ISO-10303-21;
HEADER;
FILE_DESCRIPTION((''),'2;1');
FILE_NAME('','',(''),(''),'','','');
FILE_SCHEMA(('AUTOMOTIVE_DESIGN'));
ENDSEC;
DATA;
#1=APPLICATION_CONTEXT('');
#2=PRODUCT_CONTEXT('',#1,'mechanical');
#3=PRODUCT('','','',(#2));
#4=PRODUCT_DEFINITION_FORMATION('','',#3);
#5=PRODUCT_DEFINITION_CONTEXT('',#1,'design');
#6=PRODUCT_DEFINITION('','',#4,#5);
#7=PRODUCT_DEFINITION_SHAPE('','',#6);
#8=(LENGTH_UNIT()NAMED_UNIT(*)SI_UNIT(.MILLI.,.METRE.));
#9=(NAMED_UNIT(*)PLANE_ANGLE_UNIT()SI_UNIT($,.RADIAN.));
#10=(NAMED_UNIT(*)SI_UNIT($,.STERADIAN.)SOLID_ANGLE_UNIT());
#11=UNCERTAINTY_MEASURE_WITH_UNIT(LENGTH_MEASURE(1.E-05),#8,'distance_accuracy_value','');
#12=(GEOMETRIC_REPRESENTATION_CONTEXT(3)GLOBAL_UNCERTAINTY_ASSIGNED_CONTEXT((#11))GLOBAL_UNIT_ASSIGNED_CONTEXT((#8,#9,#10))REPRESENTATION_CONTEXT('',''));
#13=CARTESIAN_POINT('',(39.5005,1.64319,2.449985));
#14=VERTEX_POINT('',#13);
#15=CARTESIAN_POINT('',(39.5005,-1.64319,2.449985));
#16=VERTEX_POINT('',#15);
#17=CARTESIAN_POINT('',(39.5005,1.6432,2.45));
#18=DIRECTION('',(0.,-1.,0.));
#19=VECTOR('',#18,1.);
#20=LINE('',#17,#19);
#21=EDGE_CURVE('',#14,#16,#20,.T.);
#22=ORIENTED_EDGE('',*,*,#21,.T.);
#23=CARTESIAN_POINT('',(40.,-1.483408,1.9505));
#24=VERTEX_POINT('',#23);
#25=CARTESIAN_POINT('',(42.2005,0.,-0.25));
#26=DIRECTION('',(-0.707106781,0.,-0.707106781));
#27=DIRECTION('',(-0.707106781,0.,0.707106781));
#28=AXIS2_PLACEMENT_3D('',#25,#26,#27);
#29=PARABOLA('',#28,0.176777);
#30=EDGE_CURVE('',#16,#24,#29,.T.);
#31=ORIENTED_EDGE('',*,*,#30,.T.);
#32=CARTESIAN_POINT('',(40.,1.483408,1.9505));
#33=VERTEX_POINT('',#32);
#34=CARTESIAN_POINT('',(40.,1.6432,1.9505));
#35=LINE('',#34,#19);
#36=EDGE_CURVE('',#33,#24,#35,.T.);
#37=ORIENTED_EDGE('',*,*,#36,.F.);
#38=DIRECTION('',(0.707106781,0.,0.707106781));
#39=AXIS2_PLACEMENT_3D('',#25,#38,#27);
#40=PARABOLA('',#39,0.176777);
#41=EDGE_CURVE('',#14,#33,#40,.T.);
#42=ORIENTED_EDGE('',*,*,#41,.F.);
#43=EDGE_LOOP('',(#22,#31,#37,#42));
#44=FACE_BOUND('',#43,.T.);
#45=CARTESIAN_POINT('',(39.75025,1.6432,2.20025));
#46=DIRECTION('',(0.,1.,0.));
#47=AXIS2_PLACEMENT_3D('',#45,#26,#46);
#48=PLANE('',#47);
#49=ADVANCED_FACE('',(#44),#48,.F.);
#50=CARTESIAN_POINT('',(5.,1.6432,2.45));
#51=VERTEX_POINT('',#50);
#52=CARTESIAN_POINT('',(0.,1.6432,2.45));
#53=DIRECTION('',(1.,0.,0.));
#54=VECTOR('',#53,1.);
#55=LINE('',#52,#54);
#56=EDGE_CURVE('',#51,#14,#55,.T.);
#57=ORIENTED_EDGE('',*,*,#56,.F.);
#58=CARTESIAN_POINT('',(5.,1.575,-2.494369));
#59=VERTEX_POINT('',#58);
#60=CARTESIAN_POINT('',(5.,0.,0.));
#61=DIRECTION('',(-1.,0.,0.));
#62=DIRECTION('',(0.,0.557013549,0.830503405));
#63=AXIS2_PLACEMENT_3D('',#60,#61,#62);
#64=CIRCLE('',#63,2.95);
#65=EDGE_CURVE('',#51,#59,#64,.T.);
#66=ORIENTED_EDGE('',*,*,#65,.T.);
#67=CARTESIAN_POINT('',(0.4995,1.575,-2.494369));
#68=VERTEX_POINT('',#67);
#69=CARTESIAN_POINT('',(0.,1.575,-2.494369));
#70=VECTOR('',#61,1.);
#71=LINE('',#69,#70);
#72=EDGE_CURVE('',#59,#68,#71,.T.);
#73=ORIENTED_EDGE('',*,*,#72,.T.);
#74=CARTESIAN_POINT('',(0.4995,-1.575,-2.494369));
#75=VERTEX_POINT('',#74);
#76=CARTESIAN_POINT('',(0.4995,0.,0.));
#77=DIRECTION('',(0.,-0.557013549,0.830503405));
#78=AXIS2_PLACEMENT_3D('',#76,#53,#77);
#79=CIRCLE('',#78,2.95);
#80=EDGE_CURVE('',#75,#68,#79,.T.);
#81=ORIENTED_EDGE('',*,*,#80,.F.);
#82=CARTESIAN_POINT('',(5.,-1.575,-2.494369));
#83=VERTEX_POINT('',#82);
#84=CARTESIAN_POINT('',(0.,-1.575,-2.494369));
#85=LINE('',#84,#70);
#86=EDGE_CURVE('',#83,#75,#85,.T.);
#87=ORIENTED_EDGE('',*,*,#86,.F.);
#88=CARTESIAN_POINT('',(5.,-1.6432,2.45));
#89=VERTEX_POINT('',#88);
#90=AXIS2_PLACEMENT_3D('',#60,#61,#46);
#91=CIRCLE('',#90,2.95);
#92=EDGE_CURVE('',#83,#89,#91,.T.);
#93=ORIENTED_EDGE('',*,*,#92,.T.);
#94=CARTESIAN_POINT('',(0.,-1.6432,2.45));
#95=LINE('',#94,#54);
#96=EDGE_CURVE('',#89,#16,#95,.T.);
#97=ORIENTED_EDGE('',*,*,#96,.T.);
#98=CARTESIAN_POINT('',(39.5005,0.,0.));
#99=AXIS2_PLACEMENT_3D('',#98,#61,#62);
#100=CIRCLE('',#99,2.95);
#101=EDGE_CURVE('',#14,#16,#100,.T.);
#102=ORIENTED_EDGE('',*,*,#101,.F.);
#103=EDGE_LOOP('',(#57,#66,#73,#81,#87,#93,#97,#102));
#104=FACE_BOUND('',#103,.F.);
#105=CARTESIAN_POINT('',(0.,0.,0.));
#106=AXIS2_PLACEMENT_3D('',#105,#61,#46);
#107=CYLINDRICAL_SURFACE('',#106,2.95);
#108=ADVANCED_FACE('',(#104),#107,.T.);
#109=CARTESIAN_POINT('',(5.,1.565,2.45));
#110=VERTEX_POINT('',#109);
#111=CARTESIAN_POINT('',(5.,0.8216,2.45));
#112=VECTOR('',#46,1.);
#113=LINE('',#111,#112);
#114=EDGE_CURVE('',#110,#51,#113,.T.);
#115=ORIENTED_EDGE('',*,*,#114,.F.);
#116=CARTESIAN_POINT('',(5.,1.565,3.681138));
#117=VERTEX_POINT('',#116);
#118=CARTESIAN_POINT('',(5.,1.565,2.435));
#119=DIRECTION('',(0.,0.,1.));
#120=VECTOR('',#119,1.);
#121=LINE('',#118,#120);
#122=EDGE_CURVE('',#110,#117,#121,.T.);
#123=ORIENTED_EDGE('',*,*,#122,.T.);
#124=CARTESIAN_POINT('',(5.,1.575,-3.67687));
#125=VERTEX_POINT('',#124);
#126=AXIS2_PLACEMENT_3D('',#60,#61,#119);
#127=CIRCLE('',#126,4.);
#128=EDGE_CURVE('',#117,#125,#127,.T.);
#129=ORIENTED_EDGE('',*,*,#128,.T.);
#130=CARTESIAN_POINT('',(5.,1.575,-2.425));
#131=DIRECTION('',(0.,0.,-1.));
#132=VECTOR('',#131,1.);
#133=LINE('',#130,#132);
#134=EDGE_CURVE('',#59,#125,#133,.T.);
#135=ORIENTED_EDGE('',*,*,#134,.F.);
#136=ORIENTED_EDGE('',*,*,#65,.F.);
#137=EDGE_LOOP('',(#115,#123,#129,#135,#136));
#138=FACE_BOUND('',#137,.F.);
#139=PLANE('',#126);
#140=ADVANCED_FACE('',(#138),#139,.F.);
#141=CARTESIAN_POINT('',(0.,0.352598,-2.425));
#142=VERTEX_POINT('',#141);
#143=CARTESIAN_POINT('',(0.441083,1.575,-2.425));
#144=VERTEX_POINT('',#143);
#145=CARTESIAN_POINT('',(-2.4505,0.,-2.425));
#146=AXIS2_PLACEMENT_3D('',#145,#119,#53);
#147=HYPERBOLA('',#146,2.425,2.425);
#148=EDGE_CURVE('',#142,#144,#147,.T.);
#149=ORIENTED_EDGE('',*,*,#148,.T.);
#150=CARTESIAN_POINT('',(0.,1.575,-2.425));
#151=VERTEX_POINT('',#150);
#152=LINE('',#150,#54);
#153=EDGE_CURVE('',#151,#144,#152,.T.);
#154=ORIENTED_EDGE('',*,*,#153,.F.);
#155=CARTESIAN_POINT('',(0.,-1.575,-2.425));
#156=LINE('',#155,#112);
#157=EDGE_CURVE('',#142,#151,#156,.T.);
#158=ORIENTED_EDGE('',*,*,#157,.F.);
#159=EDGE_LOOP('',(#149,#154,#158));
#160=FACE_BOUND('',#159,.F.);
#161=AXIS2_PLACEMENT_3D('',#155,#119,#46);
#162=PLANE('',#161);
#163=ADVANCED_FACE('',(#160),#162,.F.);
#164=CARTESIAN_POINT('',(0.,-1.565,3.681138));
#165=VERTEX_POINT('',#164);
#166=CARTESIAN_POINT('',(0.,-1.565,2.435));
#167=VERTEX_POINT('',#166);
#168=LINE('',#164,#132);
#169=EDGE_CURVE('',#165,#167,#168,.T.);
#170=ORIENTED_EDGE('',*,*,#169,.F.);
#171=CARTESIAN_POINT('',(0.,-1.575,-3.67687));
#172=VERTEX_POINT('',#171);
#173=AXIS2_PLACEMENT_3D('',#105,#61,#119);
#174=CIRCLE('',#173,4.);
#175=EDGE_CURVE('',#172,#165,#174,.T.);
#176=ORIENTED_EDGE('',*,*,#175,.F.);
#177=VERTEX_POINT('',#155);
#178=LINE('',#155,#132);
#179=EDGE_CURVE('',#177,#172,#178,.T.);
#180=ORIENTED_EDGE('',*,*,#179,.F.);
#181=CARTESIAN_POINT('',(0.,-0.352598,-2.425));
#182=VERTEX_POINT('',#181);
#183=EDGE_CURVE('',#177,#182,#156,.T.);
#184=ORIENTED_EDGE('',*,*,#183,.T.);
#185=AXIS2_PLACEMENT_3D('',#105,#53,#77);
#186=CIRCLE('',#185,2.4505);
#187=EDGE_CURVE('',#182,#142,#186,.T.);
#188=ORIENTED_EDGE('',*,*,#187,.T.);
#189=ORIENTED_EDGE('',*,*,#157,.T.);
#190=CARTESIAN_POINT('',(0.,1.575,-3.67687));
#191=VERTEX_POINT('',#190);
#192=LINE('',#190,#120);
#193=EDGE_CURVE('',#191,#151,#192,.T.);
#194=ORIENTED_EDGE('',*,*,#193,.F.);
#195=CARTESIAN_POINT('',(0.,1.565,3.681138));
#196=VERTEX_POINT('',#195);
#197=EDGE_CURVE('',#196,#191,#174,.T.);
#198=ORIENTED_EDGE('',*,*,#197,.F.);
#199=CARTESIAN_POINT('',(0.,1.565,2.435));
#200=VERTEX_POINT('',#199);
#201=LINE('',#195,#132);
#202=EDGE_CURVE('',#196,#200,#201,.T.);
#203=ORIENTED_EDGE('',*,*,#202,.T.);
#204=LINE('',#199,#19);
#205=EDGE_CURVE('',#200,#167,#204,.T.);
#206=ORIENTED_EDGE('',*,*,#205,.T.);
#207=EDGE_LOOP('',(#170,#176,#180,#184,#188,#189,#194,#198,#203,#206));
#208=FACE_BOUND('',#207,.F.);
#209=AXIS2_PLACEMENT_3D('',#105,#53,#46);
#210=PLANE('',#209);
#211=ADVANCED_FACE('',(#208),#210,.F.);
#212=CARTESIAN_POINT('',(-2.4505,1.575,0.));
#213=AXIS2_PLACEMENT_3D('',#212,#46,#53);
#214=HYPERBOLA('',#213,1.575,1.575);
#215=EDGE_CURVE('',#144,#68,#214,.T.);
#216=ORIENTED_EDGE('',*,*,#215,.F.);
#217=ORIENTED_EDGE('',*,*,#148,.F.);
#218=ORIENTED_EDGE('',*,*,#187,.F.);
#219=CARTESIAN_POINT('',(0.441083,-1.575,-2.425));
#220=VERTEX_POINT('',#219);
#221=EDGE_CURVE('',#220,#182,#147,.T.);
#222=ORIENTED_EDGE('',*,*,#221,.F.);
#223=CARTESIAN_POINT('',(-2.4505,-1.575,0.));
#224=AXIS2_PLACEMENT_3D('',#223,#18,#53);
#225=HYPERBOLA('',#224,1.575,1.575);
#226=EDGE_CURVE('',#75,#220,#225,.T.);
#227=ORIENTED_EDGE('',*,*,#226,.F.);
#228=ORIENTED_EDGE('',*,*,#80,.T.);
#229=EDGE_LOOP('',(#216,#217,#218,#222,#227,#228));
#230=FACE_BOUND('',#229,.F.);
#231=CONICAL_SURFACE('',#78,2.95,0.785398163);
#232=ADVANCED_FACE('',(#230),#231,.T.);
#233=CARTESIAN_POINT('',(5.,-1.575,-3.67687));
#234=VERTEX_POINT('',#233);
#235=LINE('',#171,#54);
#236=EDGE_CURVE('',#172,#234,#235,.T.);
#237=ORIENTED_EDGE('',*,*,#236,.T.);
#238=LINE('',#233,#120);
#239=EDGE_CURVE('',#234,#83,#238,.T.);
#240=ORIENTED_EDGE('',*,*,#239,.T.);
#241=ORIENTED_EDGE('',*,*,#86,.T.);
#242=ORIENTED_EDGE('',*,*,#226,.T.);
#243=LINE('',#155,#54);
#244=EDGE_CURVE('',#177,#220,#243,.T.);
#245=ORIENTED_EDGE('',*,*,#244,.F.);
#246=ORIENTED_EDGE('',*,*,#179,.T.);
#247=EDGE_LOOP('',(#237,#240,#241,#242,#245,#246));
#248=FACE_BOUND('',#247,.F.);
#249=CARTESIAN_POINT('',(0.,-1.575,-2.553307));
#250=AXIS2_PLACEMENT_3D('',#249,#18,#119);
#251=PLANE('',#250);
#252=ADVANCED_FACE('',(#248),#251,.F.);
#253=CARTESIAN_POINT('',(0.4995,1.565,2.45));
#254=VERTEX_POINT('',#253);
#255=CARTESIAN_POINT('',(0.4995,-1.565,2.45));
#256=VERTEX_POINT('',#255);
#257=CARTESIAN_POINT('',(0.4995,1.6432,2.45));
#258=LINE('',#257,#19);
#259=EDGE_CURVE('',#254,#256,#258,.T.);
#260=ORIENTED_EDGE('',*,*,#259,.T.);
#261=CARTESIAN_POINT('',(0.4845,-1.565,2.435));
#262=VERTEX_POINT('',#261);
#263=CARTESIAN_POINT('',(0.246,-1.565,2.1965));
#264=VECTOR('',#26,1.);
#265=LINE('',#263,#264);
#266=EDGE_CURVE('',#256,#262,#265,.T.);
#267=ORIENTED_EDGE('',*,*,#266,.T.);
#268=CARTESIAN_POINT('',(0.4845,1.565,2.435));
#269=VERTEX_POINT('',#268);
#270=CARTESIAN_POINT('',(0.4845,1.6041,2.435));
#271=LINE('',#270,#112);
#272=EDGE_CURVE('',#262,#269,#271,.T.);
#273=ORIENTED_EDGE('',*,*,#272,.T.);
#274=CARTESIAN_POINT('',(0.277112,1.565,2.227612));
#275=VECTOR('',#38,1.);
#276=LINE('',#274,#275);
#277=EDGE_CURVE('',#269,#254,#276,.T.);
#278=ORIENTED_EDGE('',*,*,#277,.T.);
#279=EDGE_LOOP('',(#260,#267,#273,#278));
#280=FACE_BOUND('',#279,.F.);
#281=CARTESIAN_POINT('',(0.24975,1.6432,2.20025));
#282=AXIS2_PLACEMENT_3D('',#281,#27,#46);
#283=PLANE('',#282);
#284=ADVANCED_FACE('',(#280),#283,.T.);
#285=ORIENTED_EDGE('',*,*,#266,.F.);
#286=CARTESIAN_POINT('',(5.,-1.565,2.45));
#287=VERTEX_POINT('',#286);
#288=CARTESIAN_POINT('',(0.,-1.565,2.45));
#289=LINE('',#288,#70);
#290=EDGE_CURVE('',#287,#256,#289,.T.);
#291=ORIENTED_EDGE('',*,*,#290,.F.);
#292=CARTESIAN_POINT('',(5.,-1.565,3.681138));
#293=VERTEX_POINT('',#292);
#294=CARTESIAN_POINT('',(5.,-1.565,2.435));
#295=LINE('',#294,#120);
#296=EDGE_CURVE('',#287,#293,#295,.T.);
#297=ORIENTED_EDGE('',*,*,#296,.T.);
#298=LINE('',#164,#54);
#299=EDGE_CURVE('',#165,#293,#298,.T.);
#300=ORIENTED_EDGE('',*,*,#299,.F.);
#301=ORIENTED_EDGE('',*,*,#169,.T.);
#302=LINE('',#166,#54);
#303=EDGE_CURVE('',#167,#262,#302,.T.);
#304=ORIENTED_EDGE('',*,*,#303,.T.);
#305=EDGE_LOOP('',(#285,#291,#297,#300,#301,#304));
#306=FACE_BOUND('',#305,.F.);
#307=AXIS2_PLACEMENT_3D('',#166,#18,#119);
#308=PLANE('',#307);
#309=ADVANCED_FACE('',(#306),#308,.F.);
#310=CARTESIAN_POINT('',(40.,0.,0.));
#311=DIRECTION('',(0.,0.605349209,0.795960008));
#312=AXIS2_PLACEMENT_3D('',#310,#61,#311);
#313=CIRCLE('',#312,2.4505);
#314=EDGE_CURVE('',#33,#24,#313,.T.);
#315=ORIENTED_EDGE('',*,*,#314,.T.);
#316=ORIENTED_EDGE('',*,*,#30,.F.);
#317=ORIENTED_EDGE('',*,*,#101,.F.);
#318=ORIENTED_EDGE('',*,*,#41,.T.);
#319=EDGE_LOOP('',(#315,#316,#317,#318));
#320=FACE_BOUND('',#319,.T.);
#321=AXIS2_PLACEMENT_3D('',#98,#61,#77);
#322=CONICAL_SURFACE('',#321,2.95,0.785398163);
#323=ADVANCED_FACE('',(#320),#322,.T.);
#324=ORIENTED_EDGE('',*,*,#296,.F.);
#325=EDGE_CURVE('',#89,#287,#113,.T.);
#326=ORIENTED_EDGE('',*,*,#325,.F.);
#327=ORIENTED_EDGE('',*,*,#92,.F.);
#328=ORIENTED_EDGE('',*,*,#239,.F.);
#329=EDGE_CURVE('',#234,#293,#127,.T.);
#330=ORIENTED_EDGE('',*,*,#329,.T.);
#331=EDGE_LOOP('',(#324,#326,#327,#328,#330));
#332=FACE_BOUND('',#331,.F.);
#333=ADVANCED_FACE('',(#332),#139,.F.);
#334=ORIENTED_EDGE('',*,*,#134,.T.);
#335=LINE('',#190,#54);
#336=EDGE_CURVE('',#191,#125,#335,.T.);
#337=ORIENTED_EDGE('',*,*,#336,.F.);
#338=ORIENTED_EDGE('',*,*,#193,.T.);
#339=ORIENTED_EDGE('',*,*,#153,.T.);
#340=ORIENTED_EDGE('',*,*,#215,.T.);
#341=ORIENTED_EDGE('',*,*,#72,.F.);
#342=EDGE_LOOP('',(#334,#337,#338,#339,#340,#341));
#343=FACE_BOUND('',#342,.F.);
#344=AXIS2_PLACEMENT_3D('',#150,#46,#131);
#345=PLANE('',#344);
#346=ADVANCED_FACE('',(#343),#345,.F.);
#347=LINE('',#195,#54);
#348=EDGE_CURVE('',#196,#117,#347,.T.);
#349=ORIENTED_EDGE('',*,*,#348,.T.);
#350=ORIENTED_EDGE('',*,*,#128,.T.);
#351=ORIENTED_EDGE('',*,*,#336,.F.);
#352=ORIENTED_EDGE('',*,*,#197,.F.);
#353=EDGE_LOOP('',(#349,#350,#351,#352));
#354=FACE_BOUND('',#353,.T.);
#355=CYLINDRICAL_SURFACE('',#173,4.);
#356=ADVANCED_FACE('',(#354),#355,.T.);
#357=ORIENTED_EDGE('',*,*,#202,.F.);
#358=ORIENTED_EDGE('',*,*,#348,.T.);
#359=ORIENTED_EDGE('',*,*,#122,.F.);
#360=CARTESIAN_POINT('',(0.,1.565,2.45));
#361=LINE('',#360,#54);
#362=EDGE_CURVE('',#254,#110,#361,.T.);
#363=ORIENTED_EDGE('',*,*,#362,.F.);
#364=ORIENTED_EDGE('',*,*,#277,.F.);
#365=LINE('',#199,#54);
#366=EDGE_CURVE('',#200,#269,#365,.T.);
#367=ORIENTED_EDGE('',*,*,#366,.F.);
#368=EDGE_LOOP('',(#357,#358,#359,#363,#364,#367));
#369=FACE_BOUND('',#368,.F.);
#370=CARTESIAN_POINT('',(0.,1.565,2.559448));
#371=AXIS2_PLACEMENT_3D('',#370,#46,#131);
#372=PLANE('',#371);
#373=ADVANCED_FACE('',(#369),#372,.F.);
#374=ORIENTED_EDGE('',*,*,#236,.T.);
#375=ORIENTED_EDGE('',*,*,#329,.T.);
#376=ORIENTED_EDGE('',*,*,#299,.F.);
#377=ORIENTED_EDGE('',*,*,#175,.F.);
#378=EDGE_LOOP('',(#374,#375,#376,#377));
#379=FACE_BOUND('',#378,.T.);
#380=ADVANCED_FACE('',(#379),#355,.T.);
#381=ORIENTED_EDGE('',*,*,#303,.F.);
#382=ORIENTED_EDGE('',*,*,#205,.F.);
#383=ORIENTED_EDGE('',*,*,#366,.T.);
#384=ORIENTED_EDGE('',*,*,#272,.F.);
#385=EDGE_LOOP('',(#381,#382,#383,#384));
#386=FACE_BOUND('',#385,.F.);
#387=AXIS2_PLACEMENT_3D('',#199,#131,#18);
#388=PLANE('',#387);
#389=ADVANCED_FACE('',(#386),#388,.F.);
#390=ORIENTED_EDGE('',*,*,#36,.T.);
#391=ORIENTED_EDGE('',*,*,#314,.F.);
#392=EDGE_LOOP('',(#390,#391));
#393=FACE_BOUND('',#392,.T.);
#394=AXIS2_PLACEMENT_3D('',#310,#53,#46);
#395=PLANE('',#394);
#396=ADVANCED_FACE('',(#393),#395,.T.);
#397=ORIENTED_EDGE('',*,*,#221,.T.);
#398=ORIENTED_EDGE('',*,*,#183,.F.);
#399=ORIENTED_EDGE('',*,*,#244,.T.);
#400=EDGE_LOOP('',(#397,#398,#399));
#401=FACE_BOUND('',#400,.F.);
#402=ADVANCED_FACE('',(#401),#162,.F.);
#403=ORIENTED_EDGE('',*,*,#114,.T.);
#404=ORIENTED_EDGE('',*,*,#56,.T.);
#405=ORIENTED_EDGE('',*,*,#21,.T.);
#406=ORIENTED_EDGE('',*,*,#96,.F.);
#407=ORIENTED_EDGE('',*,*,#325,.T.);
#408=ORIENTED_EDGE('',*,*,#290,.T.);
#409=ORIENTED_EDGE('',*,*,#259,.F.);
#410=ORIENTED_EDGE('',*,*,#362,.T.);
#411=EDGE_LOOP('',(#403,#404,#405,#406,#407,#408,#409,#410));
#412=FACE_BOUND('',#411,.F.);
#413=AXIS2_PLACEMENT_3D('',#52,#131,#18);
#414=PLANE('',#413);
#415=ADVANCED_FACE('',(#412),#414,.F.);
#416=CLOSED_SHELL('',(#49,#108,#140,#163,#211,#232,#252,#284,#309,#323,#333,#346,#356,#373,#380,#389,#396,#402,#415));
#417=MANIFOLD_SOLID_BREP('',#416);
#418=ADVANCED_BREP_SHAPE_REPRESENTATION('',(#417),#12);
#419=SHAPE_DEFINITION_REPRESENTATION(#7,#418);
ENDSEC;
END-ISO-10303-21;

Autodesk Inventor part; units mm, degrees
ref_plane "YZ Plane" through (0, 0, 0) normal (1, 0, 0) x (0, 1, 0)
ref_plane "XZ Plane" through (0, 0, 0) normal (0, 1, 0) x (-1, 0, 0)
ref_plane "XY Plane" through (0, 0, 0) normal (0, 0, 1) x (1, 0, 0)
sketch "Sketch1" plane through (0, 0, 0) normal (1, 0, 0) x (0, 1, 0)
  circle A0 centre (0, 0) radius 2.95
  line L0 (1.6432, 2.45) -> (-1.6432, 2.45)
  dimension "d0" = 5.9
  dimension "d1" = 0.5
extrude "Extrusion1" add sketch "Sketch1" along normal blind 40 contours A0 L0 picked at (0.5577, 0.5097)
chamfer "Chamfer1" distance 0.5 angle 45 4 edges at (0, 0, -2.95) (0, 0, 2.45) (40, 0, -2.95) (40, 0, 2.45)
sketch "Sketch2" plane through (0, 0, 0) normal (-1, 0, 0) x (0, 0, 1)
  circle A0 centre (0, 0) radius 3
  circle A1 centre (0, 0) radius 4
  line L0 (5.565, 1.565) -> (2.435, 1.565)
  line L1 (2.435, 1.565) -> (2.435, -1.565)
  line L2 (2.435, -1.565) -> (5.565, -1.565)
  line L3 (5.565, -1.565) -> (5.565, 1.565)
  line L4 (5.565, 1.565) -> (2.435, -1.565) construction
  line L5 (2.435, 1.565) -> (5.565, -1.565) construction
  line L6 (-2.425, 1.575) -> (-5.575, 1.575)
  line L7 (-5.575, 1.575) -> (-5.575, -1.575)
  line L8 (-5.575, -1.575) -> (-2.425, -1.575)
  line L9 (-2.425, -1.575) -> (-2.425, 1.575)
  line L10 (-2.425, 1.575) -> (-5.575, -1.575) construction
  line L11 (-5.575, 1.575) -> (-2.425, -1.575) construction
  point P0 (4, 0)
  point P1 (-4, 0)
  point P2 (-3.6769, 1.575)
  point P3 (-3.6769, -1.575)
  point P4 (3.6811, -1.565)
  point P5 (3.6811, 1.565)
  dimension "d7" = 3.13
  dimension "d8" = 3.13
  dimension "d9" = 3.15
  dimension "d10" = 3.15
extrude "Extrusion2" add sketch "Sketch2" against normal blind 5 contours L0 L1 L2 A0 L8 L9 L6 | A0 L6 A1 L0 | L2 A1 L8 A0
properties part number "Ø6x40Shaft"
